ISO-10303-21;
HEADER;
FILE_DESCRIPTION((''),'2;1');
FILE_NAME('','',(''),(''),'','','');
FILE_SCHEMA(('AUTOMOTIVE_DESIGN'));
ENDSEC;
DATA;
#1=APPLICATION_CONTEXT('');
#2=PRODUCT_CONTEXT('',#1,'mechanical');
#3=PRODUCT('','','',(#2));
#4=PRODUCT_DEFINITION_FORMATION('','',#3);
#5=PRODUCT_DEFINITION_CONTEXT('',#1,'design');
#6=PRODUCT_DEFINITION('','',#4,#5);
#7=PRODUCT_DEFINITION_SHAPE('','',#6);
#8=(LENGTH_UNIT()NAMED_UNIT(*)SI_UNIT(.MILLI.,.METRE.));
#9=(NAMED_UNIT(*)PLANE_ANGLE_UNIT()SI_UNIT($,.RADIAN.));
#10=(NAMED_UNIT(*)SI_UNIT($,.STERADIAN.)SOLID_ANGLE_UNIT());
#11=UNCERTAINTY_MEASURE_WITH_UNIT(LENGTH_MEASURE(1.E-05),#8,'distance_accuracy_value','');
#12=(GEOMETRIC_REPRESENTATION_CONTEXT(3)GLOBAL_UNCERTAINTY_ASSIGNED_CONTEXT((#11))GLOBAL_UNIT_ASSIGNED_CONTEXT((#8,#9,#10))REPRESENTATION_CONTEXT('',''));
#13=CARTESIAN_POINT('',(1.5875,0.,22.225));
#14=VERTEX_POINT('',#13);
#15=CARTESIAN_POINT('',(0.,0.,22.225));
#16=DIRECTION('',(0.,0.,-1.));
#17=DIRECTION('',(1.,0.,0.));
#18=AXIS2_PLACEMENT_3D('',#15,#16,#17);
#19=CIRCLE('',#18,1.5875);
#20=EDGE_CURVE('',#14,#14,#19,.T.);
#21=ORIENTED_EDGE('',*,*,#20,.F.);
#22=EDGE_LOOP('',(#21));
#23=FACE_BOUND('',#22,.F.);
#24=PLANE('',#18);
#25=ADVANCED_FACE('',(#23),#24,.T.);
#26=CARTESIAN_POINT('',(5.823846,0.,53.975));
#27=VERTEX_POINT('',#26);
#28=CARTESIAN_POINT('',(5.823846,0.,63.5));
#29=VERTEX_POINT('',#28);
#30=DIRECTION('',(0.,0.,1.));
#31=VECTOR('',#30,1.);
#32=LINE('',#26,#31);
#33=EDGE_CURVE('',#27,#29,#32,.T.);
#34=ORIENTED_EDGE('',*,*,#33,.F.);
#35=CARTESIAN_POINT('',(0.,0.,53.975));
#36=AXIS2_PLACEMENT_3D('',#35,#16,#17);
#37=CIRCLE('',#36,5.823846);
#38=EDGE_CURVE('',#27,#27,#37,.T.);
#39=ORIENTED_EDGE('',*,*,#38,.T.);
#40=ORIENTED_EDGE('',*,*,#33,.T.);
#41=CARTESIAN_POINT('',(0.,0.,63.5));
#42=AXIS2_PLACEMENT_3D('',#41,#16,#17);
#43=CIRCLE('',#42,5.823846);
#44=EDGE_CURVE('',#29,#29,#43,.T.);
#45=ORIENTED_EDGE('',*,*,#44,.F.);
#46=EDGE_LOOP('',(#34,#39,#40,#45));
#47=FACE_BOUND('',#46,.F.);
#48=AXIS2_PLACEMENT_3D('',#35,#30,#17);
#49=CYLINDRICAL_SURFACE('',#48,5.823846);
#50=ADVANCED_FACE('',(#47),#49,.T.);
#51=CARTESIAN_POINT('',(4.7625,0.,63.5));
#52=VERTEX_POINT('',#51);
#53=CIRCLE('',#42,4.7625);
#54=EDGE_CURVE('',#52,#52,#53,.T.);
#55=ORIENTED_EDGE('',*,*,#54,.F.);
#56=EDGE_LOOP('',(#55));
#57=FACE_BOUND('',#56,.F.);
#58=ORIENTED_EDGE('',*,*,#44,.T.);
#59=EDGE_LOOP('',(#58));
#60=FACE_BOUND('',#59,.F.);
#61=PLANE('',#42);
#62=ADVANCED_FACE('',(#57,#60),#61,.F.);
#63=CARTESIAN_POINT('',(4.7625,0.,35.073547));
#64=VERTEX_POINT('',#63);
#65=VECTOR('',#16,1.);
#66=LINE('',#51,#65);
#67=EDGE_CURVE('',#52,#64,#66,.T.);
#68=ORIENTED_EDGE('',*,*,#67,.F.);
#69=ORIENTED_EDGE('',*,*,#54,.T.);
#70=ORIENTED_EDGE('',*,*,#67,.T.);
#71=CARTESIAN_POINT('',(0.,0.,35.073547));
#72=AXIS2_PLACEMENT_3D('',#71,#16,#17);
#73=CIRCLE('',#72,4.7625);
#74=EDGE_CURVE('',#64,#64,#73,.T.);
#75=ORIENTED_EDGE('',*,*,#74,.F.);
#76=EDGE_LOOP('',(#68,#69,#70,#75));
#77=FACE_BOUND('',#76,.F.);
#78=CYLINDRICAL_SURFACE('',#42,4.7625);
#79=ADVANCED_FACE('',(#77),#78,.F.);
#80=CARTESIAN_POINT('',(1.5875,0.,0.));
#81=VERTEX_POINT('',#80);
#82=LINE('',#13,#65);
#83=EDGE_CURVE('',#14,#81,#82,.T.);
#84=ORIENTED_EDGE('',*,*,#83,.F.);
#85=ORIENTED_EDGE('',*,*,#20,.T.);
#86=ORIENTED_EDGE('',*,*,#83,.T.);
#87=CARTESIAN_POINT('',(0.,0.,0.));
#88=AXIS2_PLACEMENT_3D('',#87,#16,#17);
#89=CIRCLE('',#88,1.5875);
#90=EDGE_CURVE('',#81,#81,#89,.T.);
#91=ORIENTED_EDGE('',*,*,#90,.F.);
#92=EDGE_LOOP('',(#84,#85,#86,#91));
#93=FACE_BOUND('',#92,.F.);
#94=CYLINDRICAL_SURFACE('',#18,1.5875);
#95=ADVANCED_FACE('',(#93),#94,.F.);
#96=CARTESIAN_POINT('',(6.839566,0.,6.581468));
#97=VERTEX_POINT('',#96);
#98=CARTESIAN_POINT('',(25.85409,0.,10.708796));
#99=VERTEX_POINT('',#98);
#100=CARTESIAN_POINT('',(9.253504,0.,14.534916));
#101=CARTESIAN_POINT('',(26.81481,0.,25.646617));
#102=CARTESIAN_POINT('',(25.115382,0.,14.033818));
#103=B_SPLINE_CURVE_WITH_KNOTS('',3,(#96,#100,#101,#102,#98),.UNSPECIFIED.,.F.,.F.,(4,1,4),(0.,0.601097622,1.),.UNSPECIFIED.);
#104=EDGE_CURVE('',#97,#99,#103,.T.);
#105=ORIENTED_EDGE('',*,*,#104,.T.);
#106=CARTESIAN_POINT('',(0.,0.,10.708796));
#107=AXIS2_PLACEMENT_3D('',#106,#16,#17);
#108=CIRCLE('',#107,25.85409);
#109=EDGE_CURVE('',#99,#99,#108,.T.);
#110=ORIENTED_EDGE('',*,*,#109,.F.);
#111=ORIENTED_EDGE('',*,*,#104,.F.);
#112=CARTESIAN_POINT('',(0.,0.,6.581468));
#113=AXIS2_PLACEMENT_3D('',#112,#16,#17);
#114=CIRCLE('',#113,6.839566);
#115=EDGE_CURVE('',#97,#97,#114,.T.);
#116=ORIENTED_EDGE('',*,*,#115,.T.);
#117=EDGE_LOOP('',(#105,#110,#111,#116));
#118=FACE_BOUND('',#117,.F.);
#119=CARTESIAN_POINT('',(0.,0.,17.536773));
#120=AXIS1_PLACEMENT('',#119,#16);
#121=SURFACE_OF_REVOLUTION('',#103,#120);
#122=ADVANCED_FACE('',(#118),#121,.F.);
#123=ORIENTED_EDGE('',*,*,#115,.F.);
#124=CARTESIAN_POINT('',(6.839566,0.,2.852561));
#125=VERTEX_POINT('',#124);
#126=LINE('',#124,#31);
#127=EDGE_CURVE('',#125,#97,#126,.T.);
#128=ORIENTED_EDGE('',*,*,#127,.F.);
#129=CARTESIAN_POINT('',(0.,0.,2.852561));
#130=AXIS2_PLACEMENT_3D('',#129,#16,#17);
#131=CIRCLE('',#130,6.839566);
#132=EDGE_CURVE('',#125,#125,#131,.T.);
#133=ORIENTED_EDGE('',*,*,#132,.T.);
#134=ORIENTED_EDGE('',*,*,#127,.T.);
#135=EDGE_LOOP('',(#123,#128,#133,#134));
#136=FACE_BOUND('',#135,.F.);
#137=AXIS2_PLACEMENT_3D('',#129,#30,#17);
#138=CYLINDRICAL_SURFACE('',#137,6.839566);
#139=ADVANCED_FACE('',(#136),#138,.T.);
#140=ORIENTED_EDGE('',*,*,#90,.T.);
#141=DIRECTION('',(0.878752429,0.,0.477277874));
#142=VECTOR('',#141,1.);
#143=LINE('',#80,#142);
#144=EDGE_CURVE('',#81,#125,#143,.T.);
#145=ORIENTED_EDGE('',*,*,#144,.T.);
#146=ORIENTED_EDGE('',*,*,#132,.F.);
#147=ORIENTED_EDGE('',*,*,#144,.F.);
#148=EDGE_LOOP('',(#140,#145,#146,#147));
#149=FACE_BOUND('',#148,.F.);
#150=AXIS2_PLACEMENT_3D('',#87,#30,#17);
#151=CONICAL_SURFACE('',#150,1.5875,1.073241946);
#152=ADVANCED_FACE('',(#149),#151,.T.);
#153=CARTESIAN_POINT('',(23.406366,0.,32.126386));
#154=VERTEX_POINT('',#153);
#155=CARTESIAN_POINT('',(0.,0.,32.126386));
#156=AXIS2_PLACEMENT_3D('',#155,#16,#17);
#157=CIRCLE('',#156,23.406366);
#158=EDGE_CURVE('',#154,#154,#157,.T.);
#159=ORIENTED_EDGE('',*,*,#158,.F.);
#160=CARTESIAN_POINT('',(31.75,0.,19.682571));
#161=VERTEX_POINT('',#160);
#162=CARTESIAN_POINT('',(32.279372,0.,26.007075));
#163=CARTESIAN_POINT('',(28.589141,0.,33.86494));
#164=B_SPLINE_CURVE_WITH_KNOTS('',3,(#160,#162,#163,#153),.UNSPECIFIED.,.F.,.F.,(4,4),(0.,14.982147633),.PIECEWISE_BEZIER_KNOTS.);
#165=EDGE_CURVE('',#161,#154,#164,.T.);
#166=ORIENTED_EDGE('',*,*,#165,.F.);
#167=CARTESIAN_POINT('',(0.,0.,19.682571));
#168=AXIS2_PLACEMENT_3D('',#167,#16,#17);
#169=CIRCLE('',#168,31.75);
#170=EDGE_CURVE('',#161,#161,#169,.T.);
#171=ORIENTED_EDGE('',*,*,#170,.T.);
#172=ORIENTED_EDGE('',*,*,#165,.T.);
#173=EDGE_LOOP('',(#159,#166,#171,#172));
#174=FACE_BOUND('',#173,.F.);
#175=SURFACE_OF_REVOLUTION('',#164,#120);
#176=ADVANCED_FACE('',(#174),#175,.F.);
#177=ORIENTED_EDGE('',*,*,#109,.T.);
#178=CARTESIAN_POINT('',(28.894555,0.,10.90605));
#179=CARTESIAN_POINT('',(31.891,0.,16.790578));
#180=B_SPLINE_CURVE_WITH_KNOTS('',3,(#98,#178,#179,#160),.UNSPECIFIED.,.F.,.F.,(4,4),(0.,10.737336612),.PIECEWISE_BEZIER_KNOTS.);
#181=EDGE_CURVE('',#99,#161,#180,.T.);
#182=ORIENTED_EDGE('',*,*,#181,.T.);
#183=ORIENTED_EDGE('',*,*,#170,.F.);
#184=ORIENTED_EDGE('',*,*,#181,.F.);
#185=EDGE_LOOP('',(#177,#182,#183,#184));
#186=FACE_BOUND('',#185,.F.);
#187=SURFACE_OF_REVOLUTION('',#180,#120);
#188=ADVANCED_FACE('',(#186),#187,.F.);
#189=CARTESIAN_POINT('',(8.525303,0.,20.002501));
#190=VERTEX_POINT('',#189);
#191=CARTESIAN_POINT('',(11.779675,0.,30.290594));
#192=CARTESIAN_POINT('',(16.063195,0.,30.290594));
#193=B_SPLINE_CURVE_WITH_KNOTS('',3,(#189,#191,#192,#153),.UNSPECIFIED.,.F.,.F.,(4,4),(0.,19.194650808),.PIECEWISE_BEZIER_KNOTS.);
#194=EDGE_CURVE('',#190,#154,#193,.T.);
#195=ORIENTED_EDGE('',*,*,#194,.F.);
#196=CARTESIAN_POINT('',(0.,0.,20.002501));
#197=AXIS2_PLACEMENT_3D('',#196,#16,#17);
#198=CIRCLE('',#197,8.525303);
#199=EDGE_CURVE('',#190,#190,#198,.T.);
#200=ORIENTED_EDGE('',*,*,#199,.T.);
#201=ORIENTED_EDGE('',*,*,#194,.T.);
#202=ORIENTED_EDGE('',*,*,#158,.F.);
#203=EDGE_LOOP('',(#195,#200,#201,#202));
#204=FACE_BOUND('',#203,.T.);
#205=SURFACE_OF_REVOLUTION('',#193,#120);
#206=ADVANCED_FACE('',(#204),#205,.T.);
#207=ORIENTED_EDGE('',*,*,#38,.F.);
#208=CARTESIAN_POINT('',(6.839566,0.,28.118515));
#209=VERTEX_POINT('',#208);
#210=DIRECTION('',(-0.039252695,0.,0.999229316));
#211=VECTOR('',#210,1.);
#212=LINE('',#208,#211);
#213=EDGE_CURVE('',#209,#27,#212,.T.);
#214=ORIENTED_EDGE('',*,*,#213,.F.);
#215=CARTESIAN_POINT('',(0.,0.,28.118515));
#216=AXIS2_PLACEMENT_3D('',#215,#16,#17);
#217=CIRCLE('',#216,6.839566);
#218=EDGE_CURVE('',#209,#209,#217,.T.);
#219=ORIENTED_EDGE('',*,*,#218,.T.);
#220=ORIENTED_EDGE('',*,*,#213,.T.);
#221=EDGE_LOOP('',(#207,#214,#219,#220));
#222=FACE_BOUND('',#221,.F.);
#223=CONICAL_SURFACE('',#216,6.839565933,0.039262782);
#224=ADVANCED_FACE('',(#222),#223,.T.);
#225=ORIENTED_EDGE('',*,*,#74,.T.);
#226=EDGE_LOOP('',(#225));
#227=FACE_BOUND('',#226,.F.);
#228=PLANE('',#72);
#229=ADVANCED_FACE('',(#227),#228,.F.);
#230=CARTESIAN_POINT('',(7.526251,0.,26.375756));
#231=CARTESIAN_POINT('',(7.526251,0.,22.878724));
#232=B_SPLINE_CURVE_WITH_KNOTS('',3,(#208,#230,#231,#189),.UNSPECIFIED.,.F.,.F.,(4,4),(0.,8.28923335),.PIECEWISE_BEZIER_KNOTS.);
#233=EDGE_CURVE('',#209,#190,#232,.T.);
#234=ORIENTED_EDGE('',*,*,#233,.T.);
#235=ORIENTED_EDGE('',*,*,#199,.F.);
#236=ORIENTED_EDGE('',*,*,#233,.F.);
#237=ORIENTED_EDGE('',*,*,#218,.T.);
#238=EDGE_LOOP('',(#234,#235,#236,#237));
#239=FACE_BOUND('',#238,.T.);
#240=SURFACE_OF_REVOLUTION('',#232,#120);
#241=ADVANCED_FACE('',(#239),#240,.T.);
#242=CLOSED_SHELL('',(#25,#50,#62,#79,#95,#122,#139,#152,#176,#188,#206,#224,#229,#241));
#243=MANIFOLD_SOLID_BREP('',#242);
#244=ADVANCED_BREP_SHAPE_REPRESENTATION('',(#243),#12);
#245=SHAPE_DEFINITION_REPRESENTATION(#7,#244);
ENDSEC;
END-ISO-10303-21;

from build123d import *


with BuildPart() as f1:
    # F0 (on Front) → F1 (revolve)
    with BuildSketch(Plane.XZ):
        with BuildLine():
            Line((0, 35.0735469929), (0, 22.225))
            Line((0, 22.225), (1.5875, 22.225))
            Line((1.5875, 22.225), (1.5875, 0))
            Line((1.5875, 0), (6.8395659328, 2.8525609487))
            Line((6.8395659328, 2.8525609487), (6.8395659328, 6.581468042))
            add(Edge.make_bspline(
                [(6.8395659328, 6.581468042), (9.2535042955, 14.5349160115), (26.8148100025, 25.6466174733), (25.1153818248, 14.0338175567), (25.8540902287, 10.7087958604)],
                knots=[0, 0, 0, 0, 0.6010976221, 1, 1, 1, 1], degree=3))
            add(Edge.make_bspline(
                [(25.8540902287, 10.7087958604), (28.8945547553, 10.9060499812), (31.8909995258, 16.7905778438), (31.75, 19.6825712919)],
                knots=[0, 0, 0, 0, 10.7373366123, 10.7373366123, 10.7373366123, 10.7373366123], degree=3))
            add(Edge.make_bspline(
                [(31.75, 19.6825712919), (32.2793722153, 26.0070748627), (28.5891406238, 33.8649395853), (23.4063658863, 32.1263857186)],
                knots=[0, 0, 0, 0, 14.9821476334, 14.9821476334, 14.9821476334, 14.9821476334], degree=3))
            add(Edge.make_bspline(
                [(8.5253027175, 20.0025010854), (11.7796752602, 30.2905943245), (16.0631947219, 30.2905943245), (23.4063658863, 32.1263857186)],
                knots=[0, 0, 0, 0, 19.1946508078, 19.1946508078, 19.1946508078, 19.1946508078], degree=3))
            add(Edge.make_bspline(
                [(6.8395659328, 28.1185149488), (7.526251053, 26.3757562888), (7.526251053, 22.8787242203), (8.5253027175, 20.0025010854)],
                knots=[0, 0, 0, 0, 8.2892333505, 8.2892333505, 8.2892333505, 8.2892333505], degree=3))
            Line((6.8395659328, 28.1185149488), (5.8238464211, 53.975))
            Line((5.8238464211, 53.975), (5.8238464211, 63.5))
            Line((5.8238464211, 63.5), (4.7625, 63.5))
            Line((4.7625, 63.5), (4.7625, 35.0735469929))
            Line((4.7625, 35.0735469929), (0, 35.0735469929))
        make_face()
    revolve(axis=Axis((0, 0, 17.5367734964), (0, 0, -1)))


solid = f1.part
